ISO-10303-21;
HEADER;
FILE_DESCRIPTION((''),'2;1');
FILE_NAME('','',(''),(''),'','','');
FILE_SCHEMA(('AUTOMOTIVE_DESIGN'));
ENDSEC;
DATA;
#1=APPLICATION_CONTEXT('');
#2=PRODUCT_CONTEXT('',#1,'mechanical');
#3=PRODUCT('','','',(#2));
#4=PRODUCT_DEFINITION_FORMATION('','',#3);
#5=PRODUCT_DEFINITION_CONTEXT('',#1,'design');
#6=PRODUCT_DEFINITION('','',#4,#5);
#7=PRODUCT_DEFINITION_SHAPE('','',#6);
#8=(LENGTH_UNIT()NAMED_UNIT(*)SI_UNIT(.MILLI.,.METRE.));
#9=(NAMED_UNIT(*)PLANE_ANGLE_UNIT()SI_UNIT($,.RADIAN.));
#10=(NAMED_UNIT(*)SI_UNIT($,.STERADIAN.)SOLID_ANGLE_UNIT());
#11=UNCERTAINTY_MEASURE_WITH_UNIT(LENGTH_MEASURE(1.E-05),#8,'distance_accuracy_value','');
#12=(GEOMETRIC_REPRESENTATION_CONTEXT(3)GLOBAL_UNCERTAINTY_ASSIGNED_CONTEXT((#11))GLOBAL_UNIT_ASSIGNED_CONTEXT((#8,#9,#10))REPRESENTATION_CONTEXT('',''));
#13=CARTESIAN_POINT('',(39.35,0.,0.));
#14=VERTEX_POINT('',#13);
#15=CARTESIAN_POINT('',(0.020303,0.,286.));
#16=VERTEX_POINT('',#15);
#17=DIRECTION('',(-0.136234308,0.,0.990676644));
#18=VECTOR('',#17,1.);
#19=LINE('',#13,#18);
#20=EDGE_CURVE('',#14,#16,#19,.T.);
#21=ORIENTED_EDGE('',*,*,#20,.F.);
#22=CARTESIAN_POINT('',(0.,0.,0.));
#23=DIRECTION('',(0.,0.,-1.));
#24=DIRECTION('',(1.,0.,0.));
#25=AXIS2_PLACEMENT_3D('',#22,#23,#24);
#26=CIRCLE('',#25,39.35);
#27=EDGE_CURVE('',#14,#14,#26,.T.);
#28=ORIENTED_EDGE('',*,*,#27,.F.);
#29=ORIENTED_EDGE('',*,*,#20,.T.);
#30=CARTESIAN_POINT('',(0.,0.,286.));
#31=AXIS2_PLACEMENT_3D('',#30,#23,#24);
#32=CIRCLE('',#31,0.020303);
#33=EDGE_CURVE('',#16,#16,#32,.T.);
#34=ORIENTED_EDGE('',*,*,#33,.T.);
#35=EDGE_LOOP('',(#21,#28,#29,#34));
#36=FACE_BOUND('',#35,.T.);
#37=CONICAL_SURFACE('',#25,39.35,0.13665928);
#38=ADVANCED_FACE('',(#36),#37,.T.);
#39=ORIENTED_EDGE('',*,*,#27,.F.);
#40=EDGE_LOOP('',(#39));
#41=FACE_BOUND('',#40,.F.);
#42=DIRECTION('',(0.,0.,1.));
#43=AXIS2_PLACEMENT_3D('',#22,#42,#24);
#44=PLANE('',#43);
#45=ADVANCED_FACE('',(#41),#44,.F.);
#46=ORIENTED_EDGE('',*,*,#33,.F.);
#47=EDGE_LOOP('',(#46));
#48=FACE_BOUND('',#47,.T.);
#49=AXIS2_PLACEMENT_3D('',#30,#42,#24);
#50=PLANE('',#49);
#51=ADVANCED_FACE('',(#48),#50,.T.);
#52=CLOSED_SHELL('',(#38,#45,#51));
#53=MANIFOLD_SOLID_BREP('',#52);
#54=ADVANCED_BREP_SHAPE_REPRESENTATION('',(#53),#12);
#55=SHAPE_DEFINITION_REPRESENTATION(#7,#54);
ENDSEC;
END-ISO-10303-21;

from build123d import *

# Parameters (mm, degrees)
SKETCH_R  = 39.35
PAD_DEPTH = 286
PAD_TAPER = 7.83


with BuildPart() as part:
    # Sketch → Pad (new body)
    with BuildSketch(Plane.XY):
        Circle(SKETCH_R)
    extrude(amount=PAD_DEPTH, taper=PAD_TAPER)


solid = part.part
